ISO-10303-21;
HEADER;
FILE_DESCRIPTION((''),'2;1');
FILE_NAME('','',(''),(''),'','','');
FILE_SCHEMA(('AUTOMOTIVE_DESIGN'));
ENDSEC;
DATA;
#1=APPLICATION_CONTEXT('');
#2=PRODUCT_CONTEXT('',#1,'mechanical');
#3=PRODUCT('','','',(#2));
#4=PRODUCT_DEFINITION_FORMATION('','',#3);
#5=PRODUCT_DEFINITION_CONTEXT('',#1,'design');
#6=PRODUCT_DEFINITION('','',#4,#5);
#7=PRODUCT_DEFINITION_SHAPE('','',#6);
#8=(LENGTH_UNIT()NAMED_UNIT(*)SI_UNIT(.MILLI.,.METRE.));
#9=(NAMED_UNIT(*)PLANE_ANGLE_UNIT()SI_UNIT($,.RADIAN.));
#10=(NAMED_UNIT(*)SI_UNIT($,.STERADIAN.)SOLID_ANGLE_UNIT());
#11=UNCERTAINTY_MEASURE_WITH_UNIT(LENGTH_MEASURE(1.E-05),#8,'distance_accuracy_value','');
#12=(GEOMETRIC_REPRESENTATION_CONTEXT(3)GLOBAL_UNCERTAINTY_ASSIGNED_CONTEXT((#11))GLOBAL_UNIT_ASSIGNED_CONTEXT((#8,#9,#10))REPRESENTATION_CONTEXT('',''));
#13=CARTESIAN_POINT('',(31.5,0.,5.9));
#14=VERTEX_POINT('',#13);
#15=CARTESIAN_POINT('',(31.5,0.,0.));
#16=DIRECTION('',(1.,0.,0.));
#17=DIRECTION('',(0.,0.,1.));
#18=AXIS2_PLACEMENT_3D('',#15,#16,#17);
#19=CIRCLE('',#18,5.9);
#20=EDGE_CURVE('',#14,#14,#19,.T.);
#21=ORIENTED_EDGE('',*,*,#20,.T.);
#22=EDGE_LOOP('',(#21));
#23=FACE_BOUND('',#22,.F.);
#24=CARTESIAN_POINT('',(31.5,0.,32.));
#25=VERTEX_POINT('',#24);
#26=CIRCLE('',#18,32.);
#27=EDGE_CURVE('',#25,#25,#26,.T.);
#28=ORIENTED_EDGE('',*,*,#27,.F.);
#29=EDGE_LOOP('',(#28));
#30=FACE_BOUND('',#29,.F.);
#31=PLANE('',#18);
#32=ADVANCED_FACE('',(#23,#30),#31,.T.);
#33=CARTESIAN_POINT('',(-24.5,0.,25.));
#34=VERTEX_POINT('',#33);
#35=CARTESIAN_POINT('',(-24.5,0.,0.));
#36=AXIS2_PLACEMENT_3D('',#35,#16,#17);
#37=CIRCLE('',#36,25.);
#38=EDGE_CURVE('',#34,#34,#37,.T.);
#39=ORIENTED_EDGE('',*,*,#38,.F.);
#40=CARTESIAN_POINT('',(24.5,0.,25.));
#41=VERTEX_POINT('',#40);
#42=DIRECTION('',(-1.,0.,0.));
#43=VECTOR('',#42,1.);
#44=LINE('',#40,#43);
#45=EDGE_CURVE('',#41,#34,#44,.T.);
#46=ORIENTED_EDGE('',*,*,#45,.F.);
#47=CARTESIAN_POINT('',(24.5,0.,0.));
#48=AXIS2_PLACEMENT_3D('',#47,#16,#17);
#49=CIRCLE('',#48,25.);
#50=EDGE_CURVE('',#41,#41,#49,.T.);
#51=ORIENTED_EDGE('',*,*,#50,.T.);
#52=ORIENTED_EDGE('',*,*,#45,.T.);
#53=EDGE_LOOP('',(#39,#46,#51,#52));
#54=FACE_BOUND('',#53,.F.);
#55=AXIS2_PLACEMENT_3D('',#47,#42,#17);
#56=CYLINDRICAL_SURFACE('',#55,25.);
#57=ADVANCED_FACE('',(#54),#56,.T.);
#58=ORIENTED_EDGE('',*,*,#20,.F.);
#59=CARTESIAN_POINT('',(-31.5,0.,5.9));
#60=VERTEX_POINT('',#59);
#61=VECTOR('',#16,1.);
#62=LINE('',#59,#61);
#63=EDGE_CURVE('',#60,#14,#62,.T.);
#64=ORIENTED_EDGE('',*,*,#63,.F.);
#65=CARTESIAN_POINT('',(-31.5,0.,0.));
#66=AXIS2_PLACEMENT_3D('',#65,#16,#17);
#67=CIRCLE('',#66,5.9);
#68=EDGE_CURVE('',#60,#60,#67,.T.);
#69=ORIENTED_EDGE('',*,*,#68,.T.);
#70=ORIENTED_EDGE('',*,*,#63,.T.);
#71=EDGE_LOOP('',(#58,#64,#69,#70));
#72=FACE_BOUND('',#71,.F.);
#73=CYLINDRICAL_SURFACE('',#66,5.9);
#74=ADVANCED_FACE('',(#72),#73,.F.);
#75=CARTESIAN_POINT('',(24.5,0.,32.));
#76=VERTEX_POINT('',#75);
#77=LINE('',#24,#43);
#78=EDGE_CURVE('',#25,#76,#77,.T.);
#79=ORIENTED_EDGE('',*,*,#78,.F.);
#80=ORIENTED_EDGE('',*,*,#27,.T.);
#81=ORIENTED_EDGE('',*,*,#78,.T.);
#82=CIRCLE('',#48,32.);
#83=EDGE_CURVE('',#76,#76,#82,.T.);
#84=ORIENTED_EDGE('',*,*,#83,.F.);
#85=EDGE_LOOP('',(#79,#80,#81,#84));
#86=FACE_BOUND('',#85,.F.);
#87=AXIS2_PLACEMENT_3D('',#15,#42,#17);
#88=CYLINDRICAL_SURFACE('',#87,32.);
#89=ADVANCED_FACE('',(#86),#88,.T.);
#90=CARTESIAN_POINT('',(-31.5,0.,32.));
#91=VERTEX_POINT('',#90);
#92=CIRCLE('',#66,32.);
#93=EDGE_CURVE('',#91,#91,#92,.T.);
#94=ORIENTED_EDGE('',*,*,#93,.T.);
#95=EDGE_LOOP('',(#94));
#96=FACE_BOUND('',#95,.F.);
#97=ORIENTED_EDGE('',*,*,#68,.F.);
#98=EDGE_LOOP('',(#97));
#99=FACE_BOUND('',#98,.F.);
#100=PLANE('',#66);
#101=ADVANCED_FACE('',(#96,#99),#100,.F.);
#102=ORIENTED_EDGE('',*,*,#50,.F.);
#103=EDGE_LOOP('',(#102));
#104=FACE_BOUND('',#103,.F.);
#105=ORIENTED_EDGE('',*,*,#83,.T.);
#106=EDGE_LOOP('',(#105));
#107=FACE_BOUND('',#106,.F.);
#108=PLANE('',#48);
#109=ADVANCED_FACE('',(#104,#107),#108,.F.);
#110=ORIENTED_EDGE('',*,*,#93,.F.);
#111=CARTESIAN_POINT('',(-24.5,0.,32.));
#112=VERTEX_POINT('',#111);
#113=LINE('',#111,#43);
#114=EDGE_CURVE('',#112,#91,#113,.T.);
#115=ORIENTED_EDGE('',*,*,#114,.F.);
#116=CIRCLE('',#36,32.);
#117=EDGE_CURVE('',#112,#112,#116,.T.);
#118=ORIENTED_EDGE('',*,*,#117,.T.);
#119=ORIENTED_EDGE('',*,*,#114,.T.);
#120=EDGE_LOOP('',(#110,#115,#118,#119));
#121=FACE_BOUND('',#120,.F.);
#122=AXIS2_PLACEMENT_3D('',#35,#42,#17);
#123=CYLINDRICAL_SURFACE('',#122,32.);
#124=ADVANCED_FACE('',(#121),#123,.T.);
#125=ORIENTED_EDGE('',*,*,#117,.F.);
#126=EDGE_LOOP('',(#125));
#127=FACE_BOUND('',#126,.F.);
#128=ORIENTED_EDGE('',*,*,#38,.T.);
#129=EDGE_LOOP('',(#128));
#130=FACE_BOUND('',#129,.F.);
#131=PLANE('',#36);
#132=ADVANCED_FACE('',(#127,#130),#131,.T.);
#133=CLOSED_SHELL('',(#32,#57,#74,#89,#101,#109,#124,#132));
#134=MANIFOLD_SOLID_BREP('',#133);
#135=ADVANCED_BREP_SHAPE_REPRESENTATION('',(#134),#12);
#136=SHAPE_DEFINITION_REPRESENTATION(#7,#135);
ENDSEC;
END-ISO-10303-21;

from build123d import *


with BuildPart() as part:
    # Sketch → Revolution (revolve)
    with BuildSketch(Plane.XZ):
        Polygon((31.5, 5.9), (31.5, 32), (24.5, 32), (24.5, 25), (-24.5, 25), (-24.5, 32), (-31.5, 32), (-31.5, 5.9), align=None)
    revolve(axis=Axis((0, 0, 0), (1, 0, 0)))


solid = part.part
